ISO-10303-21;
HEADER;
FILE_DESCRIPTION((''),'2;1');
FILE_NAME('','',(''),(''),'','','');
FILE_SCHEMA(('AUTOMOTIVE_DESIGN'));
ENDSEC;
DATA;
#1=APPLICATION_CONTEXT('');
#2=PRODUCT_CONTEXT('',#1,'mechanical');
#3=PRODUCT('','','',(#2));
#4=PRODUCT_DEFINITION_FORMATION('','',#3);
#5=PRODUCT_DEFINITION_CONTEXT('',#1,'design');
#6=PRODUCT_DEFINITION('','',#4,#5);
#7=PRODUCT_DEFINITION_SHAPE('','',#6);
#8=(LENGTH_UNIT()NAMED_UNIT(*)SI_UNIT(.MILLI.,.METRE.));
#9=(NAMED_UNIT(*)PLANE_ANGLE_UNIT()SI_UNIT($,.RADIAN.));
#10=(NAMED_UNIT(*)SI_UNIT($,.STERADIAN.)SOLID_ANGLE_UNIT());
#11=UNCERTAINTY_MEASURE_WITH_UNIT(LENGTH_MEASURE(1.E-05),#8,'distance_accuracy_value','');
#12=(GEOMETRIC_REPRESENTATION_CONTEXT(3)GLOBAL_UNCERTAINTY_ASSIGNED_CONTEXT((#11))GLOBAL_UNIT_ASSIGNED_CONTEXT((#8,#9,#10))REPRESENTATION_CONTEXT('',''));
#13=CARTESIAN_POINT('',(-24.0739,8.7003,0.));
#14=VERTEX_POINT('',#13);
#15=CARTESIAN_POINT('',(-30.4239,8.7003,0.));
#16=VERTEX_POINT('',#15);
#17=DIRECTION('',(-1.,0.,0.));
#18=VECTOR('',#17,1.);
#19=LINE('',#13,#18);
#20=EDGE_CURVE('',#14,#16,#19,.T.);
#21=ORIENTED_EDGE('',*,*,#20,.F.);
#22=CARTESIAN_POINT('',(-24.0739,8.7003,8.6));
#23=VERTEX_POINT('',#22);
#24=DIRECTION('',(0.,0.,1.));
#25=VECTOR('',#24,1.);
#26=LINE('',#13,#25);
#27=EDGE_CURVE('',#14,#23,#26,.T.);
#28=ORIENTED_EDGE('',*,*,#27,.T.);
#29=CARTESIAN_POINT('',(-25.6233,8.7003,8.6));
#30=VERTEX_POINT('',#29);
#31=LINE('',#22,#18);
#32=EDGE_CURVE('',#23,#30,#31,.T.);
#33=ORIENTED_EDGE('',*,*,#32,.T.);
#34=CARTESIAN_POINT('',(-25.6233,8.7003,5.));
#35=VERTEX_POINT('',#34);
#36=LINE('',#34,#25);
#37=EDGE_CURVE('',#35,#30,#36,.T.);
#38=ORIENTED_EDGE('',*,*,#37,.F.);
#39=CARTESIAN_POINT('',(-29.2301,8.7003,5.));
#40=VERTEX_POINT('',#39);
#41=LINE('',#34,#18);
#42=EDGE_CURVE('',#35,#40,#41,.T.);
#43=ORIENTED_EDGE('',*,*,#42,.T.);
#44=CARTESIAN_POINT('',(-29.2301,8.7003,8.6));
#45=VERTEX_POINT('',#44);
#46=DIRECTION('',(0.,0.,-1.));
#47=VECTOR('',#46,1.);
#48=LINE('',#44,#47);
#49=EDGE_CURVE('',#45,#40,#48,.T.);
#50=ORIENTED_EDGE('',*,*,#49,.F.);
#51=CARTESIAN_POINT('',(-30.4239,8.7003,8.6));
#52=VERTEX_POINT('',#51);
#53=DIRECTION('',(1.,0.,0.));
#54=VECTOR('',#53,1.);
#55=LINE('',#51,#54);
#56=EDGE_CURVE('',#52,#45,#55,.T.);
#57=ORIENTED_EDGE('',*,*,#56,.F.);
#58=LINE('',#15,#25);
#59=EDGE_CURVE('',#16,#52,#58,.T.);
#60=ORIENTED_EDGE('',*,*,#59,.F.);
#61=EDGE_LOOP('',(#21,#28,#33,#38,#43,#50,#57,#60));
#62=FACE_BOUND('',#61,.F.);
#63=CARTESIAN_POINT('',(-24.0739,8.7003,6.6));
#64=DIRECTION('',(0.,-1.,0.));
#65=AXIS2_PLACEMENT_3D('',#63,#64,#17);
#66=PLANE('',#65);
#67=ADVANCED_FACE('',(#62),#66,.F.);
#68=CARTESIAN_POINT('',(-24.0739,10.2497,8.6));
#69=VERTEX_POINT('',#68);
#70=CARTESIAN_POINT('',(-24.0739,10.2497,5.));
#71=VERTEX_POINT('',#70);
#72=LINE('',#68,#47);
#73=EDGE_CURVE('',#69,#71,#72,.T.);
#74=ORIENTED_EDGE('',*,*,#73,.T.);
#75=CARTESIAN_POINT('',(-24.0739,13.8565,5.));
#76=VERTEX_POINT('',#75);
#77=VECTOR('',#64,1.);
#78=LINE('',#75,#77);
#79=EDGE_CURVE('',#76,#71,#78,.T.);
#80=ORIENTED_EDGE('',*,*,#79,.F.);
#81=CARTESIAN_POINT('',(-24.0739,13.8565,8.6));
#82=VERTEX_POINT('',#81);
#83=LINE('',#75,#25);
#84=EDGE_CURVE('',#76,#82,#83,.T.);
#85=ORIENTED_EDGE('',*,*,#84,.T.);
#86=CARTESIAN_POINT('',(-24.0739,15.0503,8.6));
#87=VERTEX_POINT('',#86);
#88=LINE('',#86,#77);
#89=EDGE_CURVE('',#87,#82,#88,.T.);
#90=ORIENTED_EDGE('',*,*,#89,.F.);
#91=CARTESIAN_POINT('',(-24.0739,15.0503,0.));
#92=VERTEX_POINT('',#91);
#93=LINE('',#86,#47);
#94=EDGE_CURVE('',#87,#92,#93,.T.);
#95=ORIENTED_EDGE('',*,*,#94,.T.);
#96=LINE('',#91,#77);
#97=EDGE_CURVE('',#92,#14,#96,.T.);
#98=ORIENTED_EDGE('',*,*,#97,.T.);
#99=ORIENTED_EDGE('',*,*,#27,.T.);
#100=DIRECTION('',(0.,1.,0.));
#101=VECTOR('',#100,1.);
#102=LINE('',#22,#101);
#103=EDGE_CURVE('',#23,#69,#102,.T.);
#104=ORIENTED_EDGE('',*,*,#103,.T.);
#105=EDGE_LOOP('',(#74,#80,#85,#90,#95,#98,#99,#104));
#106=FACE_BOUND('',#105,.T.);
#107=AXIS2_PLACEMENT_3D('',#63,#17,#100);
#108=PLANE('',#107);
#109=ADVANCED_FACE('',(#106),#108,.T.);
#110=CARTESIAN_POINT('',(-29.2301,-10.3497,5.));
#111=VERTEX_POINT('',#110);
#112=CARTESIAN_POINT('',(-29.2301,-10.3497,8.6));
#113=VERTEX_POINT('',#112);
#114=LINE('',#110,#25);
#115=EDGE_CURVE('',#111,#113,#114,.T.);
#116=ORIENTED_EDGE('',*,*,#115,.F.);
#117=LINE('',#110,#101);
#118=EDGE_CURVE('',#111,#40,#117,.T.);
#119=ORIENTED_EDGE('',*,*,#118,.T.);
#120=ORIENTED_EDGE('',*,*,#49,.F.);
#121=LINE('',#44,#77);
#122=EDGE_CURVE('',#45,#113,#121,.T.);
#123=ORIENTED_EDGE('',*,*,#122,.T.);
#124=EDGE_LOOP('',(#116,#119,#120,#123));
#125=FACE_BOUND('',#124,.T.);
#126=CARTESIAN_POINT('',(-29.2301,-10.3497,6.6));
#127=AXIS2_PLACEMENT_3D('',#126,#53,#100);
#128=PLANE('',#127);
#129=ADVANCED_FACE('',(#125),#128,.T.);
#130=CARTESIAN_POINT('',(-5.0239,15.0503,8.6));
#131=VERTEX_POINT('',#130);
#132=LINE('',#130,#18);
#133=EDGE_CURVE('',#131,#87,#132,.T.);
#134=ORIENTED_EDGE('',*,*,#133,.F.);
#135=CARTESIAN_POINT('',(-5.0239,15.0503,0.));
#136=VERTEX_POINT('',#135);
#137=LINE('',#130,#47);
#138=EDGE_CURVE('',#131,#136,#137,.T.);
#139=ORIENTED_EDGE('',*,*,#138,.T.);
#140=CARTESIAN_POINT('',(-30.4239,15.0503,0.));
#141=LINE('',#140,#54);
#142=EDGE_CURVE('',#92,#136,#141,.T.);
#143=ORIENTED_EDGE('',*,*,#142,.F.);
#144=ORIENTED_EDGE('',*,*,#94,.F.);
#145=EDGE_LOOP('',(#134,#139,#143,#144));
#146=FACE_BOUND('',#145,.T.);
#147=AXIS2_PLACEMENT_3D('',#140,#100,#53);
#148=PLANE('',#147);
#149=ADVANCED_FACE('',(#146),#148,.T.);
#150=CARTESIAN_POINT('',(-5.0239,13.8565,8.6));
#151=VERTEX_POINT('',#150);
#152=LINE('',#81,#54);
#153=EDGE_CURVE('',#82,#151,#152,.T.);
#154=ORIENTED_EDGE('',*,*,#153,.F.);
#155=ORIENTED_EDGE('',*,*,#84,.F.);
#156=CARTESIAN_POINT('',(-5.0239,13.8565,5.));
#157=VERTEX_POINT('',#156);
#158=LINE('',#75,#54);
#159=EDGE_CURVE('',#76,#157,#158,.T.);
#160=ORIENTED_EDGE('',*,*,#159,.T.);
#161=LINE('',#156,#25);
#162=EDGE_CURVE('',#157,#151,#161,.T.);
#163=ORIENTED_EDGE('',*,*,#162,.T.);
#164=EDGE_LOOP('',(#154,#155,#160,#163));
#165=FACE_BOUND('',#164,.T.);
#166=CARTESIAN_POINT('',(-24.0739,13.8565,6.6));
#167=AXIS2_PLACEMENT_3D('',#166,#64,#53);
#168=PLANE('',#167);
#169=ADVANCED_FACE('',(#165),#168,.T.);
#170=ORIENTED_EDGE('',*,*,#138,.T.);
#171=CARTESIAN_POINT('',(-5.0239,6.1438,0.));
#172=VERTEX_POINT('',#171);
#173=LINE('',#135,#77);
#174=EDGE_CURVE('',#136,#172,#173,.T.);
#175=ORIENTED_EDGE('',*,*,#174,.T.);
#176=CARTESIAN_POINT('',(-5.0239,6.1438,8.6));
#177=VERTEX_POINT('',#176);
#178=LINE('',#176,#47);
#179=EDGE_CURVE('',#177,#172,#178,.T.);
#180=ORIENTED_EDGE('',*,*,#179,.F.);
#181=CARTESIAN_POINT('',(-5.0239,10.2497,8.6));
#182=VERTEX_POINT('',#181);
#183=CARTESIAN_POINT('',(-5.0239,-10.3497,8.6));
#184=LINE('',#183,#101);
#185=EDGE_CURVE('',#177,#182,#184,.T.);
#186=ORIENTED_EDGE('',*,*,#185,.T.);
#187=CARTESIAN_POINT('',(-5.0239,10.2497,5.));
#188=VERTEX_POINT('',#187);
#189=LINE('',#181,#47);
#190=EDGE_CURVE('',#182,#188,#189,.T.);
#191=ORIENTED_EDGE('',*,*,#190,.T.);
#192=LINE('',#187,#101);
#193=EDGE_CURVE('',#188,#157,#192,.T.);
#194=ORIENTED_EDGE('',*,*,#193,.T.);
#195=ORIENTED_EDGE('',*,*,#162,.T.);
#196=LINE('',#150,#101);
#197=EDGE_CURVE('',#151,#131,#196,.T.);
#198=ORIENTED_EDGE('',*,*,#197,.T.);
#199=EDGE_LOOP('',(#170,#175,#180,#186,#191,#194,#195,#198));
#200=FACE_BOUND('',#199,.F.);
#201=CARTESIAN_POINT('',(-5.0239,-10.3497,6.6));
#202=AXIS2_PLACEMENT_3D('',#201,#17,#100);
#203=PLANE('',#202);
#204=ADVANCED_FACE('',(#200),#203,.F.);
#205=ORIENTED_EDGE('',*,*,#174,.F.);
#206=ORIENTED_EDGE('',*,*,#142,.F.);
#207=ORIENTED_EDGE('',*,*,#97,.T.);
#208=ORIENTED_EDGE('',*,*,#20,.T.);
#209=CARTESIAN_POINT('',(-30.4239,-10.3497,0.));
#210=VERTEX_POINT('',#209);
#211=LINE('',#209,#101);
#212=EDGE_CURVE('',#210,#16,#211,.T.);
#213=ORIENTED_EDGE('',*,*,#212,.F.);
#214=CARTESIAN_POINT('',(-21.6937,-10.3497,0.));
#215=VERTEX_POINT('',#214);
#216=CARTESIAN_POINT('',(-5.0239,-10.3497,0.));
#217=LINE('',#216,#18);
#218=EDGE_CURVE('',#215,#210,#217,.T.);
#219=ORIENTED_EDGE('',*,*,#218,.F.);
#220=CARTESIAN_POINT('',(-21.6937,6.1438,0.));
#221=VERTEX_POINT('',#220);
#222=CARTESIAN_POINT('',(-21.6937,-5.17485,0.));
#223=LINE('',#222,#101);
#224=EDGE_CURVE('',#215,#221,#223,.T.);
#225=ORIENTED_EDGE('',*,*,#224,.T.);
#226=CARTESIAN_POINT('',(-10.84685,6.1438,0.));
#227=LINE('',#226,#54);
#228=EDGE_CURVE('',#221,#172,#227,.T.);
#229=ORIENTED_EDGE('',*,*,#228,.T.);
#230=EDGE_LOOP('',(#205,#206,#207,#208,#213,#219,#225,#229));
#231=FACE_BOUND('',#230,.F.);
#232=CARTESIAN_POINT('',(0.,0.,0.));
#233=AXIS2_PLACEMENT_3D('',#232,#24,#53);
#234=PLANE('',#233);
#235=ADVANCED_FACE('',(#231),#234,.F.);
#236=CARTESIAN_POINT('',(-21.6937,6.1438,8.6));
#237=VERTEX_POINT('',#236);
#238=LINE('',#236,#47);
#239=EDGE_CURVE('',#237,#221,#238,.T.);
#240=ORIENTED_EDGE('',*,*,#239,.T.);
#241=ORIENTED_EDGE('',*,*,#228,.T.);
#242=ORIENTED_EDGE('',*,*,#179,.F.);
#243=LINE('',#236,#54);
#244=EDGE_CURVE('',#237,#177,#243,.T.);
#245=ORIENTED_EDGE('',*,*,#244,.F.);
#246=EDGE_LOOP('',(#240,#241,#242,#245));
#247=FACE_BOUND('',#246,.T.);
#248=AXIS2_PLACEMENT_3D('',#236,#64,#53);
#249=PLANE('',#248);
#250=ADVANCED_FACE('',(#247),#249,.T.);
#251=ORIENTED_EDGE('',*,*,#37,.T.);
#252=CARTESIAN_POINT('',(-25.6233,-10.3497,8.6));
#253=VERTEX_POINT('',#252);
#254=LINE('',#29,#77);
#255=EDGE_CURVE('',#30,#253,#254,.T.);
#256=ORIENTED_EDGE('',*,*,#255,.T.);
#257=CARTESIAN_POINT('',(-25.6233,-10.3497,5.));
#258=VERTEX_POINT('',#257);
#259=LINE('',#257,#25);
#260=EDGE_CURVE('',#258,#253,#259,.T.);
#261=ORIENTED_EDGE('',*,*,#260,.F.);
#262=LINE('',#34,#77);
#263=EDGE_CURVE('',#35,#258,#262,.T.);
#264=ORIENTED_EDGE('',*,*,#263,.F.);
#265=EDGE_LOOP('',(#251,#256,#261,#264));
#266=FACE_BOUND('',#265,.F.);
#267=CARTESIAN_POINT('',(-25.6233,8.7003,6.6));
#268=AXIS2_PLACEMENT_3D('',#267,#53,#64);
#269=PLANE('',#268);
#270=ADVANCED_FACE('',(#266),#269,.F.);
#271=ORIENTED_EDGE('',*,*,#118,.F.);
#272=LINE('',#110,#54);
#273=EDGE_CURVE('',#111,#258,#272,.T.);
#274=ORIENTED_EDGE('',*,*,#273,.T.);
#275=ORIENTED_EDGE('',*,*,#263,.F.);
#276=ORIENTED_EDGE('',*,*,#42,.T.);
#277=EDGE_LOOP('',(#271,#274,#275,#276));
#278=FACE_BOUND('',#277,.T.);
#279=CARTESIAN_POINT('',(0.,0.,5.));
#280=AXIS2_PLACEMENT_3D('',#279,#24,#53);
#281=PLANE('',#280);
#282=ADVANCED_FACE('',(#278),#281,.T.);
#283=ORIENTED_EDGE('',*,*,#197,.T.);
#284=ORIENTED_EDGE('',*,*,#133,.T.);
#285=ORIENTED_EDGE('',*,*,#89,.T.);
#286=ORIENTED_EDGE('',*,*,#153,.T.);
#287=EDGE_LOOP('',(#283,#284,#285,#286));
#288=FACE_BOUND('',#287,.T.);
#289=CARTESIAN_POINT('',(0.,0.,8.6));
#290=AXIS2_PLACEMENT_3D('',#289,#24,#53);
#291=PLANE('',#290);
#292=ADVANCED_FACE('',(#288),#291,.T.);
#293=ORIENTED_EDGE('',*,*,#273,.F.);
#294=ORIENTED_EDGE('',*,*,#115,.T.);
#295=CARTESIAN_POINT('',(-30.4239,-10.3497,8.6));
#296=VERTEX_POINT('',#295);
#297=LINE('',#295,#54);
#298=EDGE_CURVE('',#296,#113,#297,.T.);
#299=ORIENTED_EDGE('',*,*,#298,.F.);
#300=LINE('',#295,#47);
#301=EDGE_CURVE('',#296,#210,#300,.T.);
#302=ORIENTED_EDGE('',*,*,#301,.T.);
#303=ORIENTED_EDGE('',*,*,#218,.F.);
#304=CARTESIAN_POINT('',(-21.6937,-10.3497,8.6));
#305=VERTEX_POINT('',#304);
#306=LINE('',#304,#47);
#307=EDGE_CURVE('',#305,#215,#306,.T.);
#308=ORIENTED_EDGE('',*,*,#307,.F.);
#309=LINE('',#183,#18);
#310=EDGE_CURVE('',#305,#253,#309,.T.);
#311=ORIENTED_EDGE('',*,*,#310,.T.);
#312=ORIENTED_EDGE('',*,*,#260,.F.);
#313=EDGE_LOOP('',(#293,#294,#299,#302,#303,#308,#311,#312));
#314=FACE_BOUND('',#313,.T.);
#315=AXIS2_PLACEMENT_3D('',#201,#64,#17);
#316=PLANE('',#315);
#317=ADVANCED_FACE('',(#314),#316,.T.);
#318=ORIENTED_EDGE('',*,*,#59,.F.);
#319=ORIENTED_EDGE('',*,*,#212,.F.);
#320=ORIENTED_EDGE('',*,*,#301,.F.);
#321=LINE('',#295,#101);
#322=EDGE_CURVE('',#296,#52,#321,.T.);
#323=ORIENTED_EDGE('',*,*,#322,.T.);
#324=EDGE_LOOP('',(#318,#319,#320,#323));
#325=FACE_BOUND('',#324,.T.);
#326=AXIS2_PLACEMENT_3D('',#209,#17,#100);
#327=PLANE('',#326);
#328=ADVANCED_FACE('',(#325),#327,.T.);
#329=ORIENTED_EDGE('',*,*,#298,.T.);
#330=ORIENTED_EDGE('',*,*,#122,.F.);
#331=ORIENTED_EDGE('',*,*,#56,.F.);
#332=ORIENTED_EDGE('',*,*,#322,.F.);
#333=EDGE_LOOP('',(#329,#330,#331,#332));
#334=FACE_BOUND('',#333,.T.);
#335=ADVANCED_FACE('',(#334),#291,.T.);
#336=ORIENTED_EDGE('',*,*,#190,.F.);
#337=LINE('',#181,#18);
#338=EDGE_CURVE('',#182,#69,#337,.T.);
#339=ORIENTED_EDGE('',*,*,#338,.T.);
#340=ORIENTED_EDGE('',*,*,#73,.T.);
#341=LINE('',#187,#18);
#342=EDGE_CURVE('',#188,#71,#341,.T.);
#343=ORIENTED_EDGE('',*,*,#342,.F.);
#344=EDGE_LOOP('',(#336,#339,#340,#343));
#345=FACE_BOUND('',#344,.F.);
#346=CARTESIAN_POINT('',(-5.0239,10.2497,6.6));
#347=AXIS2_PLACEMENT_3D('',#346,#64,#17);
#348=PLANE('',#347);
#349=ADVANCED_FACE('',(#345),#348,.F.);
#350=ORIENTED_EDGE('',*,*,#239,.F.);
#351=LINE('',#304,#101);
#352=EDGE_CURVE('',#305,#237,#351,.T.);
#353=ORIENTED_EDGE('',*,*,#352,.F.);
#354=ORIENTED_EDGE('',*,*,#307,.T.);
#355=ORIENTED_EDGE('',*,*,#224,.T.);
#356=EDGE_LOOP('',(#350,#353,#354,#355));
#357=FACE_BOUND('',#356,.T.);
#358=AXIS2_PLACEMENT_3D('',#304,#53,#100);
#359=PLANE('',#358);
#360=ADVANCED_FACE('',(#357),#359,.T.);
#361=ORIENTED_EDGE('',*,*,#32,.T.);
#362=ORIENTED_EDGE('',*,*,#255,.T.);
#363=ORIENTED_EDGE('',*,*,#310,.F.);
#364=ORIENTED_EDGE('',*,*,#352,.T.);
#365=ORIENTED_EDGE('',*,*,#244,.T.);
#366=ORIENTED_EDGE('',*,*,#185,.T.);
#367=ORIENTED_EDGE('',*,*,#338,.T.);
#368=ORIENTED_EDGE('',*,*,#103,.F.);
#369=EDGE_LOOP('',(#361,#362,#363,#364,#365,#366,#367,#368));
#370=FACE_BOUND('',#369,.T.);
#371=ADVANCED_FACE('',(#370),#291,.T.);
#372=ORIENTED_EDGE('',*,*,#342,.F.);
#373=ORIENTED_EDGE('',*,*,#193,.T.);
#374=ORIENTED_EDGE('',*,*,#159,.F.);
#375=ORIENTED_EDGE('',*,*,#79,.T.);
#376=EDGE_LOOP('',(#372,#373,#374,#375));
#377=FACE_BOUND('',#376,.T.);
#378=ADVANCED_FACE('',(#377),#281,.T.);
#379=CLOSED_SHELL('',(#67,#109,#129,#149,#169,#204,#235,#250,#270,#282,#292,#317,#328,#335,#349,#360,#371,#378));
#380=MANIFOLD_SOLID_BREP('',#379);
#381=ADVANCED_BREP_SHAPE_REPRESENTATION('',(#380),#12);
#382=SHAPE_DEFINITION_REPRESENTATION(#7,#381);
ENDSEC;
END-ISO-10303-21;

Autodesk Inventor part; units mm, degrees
ref_plane "YZ Plane" through (0, 0, 0) normal (1, 0, 0) x (0, 1, 0)
ref_plane "XZ Plane" through (0, 0, 0) normal (0, 1, 0) x (-1, 0, 0)
ref_plane "XY Plane" through (0, 0, 0) normal (0, 0, 1) x (1, 0, 0)
sketch "Sketch1" plane through (0, 0, 0) normal (0, 0, 1) x (1, 0, 0)
  line L0 (-30.4239, 15.0503) -> (-5.0239, 15.0503)
  line L1 (-5.0239, 15.0503) -> (-5.0239, -10.3497)
  line L2 (-5.0239, -10.3497) -> (-30.4239, -10.3497)
  line L3 (-30.4239, -10.3497) -> (-30.4239, 15.0503)
  point P0 (0, 0)
  dimension "d0" = 25.4
  dimension "d1" = 25.4
extrude "Extrusion1" add sketch "Sketch1" along normal blind 6.6
sketch "Sketch2" plane through (0, 0, 6.6) normal (0, 0, 1) x (1, 0, 0)
  line L0 (-5.0239, 15.0503) -> (-30.4239, 15.0503) projected
  line L1 (-30.4239, 15.0503) -> (-24.0739, 15.0503)
  line L2 (-24.0739, 15.0503) -> (-24.0739, 8.7003)
  line L3 (-24.0739, 8.7003) -> (-30.4239, 8.7003)
  line L4 (-30.4239, 8.7003) -> (-30.4239, 15.0503)
  point P0 (0, 0)
  dimension "d4" = 6.35
  dimension "d5" = 6.35
extrude "Extrusion2" cut sketch "Sketch2" against normal blind 6.6
sketch "Sketch3" plane through (0, 0, 6.6) normal (0, 0, 1) x (1, 0, 0)
  line L0 (-5.0239, 15.0503) -> (-24.0739, 15.0503) projected
  line L1 (-24.0739, 8.7003) -> (-24.0739, 15.0503) construction
  line L2 (-24.0739, 15.0503) -> (-24.0739, 8.7003) construction
  line L3 (-30.4239, 8.7003) -> (-24.0739, 8.7003) construction
  line L4 (-24.0739, 8.7003) -> (-30.4239, 8.7003) construction
  line L5 (-27.2489, 8.7003) -> (-27.2489, -10.3839) construction
  line L6 (-24.0739, 11.8753) -> (-5.0239, 11.8753) construction
  line L7 (-5.0239, -10.3497) -> (-5.0239, 15.0503) projected
  line L8 (-5.0239, 13.5009) -> (-5.0239, 10.2497)
  line L9 (-5.0239, 10.2497) -> (-24.0739, 10.2497)
  line L10 (-24.0739, 10.2497) -> (-24.0739, 13.5009)
  line L11 (-30.4239, -10.3497) -> (-5.0239, -10.3497) projected
  line L12 (-28.8745, 8.7003) -> (-25.6233, 8.7003)
  line L13 (-25.6233, 8.7003) -> (-25.6233, -10.3497)
  line L14 (-25.6233, -10.3497) -> (-28.8745, -10.3497)
  line L15 (-28.8745, -10.3497) -> (-29.2301, -10.3497)
  line L16 (-29.2301, -10.3497) -> (-29.2301, 8.7003)
  line L17 (-28.8745, 8.7003) -> (-29.2301, 8.7003)
  line L18 (-24.0739, 13.5009) -> (-24.0739, 13.8565)
  line L19 (-24.0739, 13.8565) -> (-5.0239, 13.8565)
  line L20 (-5.0239, 13.8565) -> (-5.0239, 13.5009)
  point P0 (0, 0)
  dimension "d8" = 3.2512
  dimension "d20" = 0.3556
  dimension "d21" = 0.3556
extrude "Extrusion3" cut sketch "Sketch3" against normal blind 1.6
sketch "Sketch4" plane through (0, 0, 6.6) normal (0, 0, 1) x (1, 0, 0)
  line L0 (-24.0739, 8.7003) -> (-25.6233, 8.7003) projected
  line L1 (-25.6233, 8.7003) -> (-24.0739, 8.7003)
  line L2 (-5.0239, 10.2497) -> (-24.0739, 10.2497) projected
  line L3 (-24.0739, 8.7003) -> (-24.0739, 10.2497)
  line L4 (-24.0739, 10.2497) -> (-5.0239, 10.2497)
  line L5 (-5.0239, -10.3497) -> (-5.0239, 10.2497) projected
  line L6 (-5.0239, 10.2497) -> (-5.0239, -10.3497)
  line L7 (-5.0239, -10.3497) -> (-25.6233, -10.3497)
  line L8 (-5.0239, -10.3497) -> (-30.4239, -10.3497) projected
  line L9 (-25.6233, 8.7003) -> (-25.6233, -10.3497)
  point P0 (0, 0)
extrude "Extrusion4" add sketch "Sketch4" along normal blind 2
sketch "Sketch5" plane through (0, 0, 6.6) normal (0, 0, 1) x (1, 0, 0)
  line L0 (-5.0239, 15.0503) -> (-24.0739, 15.0503) projected
  line L1 (-24.0739, 15.0503) -> (-5.0239, 15.0503)
  line L2 (-30.4239, -10.3497) -> (-30.4239, 8.7003)
  line L3 (-30.4239, 8.7003) -> (-29.2301, 8.7003)
  line L4 (-30.4239, 8.7003) -> (-24.0739, 8.7003) projected
  line L5 (-29.2301, 8.7003) -> (-29.2301, -10.3497)
  line L6 (-30.4239, -10.3497) -> (-29.2301, -10.3497) projected
  line L7 (-29.2301, -10.3497) -> (-30.4239, -10.3497)
  line L8 (-24.0739, 15.0503) -> (-24.0739, 13.8565) projected
  line L9 (-24.0739, 15.0503) -> (-24.0739, 13.8565)
  line L10 (-24.0739, 13.8565) -> (-5.0239, 13.8565)
  line L11 (-5.0239, 13.8565) -> (-5.0239, 15.0503) projected
  point P0 (0, 0)
  point P1 (-5.0239, 13.5009)
  point P2 (-28.8745, -10.3497)
  point P3 (-24.0739, 13.5009)
  dimension "d18" = 1.1938
  dimension "d19" = 1.1938
extrude "Extrusion5" add sketch "Sketch5" along normal blind 2
sketch "Sketch6" plane through (0, 0, 8.6) normal (0, 0, 1) x (1, 0, 0)
  line L0 (-25.6233, -10.3497) -> (-5.0239, -10.3497) projected
  line L1 (-5.0239, -10.3497) -> (-21.6937, -10.3497)
  line L2 (-21.6937, -10.3497) -> (-21.6937, 6.1438)
  line L3 (-21.6937, 6.1438) -> (-5.0239, 6.1438)
  line L4 (-5.0239, 6.1438) -> (-5.0239, -10.3497)
  point P0 (0, 0)
extrude "Extrusion6" cut sketch "Sketch6" against normal blind 9
properties part number "BalsaJig"
